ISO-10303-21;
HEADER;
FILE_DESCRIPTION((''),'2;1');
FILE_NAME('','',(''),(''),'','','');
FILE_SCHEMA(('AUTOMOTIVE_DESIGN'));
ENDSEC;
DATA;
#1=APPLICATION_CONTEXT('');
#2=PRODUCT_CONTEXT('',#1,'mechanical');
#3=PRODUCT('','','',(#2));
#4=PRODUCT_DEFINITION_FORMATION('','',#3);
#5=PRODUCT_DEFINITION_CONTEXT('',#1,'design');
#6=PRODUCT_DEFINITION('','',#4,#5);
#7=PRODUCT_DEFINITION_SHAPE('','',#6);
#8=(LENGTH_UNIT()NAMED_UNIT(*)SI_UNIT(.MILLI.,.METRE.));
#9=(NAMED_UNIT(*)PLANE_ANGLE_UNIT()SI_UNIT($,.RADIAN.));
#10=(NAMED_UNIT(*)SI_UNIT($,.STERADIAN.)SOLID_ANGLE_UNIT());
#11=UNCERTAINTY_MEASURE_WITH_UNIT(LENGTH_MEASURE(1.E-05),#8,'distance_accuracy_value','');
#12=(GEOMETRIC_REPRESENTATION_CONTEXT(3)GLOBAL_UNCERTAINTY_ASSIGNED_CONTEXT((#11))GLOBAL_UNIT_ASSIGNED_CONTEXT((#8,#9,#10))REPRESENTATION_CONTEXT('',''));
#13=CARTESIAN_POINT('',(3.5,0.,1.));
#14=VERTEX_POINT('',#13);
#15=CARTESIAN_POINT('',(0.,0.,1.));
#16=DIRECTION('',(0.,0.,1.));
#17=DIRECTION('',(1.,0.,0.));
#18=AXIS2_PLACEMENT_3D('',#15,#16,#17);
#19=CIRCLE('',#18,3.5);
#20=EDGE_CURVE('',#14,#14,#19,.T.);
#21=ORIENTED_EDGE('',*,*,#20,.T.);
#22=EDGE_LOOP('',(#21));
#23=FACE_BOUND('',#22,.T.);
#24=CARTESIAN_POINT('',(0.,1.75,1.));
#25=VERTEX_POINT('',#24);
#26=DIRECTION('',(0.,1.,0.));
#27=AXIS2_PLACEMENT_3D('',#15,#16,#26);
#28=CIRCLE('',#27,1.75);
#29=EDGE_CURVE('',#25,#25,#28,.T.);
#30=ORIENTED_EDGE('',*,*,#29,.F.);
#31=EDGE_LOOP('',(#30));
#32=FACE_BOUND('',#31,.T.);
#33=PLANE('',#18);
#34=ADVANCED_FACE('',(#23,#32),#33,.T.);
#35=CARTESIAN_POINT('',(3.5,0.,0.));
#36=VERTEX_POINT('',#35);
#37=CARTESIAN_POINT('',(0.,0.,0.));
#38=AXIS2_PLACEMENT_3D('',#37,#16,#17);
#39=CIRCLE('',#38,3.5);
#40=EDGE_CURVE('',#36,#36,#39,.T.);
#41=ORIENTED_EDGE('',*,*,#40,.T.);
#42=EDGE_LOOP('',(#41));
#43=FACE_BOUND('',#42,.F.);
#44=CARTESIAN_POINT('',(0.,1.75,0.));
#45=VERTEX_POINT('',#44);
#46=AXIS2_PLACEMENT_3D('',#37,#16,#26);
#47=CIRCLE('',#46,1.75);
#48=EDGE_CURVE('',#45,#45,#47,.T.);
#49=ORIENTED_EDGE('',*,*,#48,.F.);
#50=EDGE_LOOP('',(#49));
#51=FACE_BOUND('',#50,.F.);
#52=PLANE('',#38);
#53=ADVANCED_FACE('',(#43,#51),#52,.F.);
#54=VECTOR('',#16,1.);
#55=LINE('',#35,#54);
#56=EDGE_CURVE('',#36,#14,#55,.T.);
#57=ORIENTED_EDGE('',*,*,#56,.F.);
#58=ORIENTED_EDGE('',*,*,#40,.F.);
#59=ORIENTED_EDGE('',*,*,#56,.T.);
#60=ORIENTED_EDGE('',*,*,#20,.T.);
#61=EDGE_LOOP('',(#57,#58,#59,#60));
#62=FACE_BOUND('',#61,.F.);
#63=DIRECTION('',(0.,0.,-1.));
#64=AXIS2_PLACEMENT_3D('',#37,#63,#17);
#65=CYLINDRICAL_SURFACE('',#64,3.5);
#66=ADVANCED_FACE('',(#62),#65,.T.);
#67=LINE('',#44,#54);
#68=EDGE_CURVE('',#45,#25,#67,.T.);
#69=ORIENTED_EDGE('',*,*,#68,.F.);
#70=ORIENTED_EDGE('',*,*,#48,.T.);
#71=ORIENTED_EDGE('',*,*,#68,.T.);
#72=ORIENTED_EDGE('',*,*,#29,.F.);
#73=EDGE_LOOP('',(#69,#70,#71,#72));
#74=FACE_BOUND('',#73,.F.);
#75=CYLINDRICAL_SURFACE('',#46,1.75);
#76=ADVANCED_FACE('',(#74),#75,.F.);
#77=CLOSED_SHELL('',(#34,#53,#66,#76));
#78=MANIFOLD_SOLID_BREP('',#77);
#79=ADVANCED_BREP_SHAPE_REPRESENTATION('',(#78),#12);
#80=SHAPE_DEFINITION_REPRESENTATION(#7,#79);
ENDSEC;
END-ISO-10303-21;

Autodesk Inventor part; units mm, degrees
ref_plane "YZ Plane" through (0, 0, 0) normal (1, 0, 0) x (0, 1, 0)
ref_plane "XZ Plane" through (0, 0, 0) normal (0, 1, 0) x (-1, 0, 0)
ref_plane "XY Plane" through (0, 0, 0) normal (0, 0, 1) x (1, 0, 0)
sketch "スケッチ1" plane through (0, 0, 0) normal (0, 0, 1) x (1, 0, 0)
  circle A0 centre (0, 0) radius 3.5
  dimension "d0" = 7
extrude "押し出し1" add sketch "スケッチ1" along normal blind 1
sketch "スケッチ2" plane through (0, 0, 0) normal (0, 0, -1) x (-1, 0, 0)
  point P0 (0, 0)
  point P1 (0, 0)
hole "穴1" at (0, 0, 0) direction (0, 0, 1) diameter 3.5 end through all
properties part number "スプリングフランジ用ワッシャー（座金）"
